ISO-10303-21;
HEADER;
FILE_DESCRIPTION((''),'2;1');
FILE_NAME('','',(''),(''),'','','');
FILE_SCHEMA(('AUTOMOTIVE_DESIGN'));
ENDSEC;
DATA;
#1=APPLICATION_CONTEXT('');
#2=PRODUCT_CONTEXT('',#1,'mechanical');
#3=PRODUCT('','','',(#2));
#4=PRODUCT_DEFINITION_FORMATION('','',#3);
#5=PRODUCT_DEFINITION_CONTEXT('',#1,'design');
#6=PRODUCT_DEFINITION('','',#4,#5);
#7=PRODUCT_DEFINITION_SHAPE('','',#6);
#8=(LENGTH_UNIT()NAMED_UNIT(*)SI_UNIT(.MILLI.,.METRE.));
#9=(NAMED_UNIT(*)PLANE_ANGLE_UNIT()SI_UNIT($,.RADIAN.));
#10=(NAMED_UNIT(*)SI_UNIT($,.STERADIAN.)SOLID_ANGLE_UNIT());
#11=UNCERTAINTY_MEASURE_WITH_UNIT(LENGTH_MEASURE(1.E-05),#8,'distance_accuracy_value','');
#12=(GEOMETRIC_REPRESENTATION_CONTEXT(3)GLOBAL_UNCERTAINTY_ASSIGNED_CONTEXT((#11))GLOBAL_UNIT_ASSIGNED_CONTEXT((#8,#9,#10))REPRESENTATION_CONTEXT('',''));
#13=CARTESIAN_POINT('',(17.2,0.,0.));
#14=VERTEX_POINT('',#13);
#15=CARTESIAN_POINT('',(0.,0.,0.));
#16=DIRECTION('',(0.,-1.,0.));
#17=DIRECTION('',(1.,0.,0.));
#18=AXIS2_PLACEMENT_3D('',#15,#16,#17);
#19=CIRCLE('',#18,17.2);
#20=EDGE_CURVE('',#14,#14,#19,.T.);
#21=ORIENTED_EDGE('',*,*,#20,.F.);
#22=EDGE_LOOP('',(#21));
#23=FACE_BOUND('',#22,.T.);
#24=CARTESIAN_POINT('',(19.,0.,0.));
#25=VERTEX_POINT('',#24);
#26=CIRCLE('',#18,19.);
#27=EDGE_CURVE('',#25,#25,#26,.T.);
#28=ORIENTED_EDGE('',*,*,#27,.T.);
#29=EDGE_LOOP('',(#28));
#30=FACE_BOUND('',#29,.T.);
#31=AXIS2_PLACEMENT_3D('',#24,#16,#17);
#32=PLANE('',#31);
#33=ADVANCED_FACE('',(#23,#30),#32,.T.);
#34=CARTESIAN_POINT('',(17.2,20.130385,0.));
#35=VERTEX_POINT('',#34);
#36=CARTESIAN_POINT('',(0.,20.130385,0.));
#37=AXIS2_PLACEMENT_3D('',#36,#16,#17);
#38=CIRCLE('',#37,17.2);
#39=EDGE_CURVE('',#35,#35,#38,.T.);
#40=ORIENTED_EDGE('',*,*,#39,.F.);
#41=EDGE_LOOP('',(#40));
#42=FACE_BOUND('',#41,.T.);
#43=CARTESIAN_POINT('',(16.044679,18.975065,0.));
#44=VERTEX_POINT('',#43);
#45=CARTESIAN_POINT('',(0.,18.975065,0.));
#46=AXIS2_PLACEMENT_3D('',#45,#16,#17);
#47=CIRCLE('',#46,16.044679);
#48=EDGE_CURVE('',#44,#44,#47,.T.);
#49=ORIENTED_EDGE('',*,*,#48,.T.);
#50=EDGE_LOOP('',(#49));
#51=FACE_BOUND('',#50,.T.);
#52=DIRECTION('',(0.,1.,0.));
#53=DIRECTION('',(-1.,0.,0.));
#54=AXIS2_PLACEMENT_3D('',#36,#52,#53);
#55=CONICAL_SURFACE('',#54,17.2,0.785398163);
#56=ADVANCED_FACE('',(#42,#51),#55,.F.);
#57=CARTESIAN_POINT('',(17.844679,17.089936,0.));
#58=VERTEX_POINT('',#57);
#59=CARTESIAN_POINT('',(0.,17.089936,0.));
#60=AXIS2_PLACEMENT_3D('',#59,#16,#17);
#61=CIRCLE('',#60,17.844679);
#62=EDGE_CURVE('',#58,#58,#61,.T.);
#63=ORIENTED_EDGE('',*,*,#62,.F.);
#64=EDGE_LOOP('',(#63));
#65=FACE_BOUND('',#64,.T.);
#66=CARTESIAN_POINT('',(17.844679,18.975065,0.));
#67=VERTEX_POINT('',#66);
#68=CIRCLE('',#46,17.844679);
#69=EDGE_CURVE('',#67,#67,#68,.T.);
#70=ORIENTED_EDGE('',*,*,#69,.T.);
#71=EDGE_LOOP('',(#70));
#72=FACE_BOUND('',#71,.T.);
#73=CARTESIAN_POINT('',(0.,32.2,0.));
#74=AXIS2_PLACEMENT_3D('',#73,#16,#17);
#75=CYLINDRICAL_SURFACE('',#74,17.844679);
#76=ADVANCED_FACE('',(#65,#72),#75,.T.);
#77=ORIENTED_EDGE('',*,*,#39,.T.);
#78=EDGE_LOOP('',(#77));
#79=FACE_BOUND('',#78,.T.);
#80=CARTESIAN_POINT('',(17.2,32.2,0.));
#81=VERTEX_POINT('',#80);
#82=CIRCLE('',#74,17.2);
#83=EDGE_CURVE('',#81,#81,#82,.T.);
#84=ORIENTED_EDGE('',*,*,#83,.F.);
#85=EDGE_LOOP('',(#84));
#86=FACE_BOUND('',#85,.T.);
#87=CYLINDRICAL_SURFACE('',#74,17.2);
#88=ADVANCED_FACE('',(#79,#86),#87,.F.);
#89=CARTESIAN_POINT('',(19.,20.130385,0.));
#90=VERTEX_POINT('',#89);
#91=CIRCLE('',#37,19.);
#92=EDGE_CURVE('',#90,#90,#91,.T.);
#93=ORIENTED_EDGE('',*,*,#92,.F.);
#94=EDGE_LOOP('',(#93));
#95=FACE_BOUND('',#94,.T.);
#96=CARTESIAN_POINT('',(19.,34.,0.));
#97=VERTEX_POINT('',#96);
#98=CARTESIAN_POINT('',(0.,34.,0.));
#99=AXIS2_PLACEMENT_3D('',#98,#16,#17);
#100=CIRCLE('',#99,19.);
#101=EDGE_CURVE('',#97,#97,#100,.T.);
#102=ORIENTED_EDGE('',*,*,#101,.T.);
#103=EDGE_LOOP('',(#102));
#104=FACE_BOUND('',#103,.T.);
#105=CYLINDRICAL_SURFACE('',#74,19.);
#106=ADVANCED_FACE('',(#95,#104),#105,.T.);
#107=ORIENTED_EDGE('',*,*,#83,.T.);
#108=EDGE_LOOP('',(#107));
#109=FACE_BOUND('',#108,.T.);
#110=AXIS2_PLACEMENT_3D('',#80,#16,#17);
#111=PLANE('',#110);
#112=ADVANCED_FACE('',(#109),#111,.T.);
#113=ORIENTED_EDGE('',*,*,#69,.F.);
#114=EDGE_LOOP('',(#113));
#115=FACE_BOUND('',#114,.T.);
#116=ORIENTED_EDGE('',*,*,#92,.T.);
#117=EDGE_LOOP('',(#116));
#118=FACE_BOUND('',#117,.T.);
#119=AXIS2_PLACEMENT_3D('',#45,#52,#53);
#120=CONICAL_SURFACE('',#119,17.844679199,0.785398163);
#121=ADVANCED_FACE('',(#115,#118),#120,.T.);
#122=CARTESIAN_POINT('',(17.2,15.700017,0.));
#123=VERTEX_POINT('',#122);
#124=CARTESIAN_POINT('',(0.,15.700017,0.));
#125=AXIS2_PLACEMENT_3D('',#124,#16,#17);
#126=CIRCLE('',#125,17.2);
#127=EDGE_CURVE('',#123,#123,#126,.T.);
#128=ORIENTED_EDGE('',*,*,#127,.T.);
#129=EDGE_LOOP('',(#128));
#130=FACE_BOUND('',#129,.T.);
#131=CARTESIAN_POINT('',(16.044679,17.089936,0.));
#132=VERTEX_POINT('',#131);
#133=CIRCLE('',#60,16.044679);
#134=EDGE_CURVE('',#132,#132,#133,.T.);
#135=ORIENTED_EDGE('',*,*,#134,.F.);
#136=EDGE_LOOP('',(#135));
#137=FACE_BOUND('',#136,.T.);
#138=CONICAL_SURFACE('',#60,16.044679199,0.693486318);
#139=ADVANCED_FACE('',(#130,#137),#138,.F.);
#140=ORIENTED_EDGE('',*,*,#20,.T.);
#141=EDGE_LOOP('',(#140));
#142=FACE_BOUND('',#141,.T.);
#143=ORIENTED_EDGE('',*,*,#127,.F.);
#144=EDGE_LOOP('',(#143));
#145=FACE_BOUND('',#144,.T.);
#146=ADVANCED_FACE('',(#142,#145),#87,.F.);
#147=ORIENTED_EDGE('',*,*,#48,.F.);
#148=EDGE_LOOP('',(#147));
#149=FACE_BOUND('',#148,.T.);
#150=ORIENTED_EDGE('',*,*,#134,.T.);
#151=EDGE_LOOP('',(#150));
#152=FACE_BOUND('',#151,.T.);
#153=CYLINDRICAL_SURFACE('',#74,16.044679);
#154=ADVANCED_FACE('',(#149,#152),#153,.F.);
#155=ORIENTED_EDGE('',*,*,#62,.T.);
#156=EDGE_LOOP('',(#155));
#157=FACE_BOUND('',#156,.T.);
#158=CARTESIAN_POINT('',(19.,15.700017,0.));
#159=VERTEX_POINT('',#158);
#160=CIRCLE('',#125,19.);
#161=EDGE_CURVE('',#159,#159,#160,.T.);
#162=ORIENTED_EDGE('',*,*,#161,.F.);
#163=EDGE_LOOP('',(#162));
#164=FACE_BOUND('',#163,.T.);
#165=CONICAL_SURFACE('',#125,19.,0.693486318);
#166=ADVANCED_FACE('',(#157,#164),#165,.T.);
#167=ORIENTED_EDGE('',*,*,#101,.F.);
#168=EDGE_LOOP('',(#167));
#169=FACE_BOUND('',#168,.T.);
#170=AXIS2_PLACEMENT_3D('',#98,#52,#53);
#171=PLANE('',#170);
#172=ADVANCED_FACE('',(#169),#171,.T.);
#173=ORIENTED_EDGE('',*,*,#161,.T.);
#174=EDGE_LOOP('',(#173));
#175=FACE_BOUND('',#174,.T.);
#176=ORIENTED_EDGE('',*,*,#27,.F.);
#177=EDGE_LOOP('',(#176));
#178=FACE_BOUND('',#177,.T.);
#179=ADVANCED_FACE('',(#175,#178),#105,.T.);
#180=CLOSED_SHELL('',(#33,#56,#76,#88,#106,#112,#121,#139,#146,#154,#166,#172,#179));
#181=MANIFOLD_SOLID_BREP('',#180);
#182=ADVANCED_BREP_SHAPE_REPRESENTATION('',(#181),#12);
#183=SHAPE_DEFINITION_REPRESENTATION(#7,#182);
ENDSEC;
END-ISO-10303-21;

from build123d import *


with BuildPart() as part:
    # Эскиз1 → Повернуть1 (revolve)
    with BuildSketch(Plane.XY):
        Polygon((0, 32.2), (0, 34), (19, 34), (19, 20.13038541), (17.844679199, 18.975064609), (17.844679199, 17.089936456), (19, 15.700016934), (19, 0), (17.2, 0), (17.2, 15.700016934), (16.044679199, 17.089936456), (16.044679199, 18.975064609), (17.2, 20.13038541), (17.2, 32.2), align=None)
    revolve(axis=Axis((0, 32.2, 0), (0, 1, 0)))


solid = part.part
